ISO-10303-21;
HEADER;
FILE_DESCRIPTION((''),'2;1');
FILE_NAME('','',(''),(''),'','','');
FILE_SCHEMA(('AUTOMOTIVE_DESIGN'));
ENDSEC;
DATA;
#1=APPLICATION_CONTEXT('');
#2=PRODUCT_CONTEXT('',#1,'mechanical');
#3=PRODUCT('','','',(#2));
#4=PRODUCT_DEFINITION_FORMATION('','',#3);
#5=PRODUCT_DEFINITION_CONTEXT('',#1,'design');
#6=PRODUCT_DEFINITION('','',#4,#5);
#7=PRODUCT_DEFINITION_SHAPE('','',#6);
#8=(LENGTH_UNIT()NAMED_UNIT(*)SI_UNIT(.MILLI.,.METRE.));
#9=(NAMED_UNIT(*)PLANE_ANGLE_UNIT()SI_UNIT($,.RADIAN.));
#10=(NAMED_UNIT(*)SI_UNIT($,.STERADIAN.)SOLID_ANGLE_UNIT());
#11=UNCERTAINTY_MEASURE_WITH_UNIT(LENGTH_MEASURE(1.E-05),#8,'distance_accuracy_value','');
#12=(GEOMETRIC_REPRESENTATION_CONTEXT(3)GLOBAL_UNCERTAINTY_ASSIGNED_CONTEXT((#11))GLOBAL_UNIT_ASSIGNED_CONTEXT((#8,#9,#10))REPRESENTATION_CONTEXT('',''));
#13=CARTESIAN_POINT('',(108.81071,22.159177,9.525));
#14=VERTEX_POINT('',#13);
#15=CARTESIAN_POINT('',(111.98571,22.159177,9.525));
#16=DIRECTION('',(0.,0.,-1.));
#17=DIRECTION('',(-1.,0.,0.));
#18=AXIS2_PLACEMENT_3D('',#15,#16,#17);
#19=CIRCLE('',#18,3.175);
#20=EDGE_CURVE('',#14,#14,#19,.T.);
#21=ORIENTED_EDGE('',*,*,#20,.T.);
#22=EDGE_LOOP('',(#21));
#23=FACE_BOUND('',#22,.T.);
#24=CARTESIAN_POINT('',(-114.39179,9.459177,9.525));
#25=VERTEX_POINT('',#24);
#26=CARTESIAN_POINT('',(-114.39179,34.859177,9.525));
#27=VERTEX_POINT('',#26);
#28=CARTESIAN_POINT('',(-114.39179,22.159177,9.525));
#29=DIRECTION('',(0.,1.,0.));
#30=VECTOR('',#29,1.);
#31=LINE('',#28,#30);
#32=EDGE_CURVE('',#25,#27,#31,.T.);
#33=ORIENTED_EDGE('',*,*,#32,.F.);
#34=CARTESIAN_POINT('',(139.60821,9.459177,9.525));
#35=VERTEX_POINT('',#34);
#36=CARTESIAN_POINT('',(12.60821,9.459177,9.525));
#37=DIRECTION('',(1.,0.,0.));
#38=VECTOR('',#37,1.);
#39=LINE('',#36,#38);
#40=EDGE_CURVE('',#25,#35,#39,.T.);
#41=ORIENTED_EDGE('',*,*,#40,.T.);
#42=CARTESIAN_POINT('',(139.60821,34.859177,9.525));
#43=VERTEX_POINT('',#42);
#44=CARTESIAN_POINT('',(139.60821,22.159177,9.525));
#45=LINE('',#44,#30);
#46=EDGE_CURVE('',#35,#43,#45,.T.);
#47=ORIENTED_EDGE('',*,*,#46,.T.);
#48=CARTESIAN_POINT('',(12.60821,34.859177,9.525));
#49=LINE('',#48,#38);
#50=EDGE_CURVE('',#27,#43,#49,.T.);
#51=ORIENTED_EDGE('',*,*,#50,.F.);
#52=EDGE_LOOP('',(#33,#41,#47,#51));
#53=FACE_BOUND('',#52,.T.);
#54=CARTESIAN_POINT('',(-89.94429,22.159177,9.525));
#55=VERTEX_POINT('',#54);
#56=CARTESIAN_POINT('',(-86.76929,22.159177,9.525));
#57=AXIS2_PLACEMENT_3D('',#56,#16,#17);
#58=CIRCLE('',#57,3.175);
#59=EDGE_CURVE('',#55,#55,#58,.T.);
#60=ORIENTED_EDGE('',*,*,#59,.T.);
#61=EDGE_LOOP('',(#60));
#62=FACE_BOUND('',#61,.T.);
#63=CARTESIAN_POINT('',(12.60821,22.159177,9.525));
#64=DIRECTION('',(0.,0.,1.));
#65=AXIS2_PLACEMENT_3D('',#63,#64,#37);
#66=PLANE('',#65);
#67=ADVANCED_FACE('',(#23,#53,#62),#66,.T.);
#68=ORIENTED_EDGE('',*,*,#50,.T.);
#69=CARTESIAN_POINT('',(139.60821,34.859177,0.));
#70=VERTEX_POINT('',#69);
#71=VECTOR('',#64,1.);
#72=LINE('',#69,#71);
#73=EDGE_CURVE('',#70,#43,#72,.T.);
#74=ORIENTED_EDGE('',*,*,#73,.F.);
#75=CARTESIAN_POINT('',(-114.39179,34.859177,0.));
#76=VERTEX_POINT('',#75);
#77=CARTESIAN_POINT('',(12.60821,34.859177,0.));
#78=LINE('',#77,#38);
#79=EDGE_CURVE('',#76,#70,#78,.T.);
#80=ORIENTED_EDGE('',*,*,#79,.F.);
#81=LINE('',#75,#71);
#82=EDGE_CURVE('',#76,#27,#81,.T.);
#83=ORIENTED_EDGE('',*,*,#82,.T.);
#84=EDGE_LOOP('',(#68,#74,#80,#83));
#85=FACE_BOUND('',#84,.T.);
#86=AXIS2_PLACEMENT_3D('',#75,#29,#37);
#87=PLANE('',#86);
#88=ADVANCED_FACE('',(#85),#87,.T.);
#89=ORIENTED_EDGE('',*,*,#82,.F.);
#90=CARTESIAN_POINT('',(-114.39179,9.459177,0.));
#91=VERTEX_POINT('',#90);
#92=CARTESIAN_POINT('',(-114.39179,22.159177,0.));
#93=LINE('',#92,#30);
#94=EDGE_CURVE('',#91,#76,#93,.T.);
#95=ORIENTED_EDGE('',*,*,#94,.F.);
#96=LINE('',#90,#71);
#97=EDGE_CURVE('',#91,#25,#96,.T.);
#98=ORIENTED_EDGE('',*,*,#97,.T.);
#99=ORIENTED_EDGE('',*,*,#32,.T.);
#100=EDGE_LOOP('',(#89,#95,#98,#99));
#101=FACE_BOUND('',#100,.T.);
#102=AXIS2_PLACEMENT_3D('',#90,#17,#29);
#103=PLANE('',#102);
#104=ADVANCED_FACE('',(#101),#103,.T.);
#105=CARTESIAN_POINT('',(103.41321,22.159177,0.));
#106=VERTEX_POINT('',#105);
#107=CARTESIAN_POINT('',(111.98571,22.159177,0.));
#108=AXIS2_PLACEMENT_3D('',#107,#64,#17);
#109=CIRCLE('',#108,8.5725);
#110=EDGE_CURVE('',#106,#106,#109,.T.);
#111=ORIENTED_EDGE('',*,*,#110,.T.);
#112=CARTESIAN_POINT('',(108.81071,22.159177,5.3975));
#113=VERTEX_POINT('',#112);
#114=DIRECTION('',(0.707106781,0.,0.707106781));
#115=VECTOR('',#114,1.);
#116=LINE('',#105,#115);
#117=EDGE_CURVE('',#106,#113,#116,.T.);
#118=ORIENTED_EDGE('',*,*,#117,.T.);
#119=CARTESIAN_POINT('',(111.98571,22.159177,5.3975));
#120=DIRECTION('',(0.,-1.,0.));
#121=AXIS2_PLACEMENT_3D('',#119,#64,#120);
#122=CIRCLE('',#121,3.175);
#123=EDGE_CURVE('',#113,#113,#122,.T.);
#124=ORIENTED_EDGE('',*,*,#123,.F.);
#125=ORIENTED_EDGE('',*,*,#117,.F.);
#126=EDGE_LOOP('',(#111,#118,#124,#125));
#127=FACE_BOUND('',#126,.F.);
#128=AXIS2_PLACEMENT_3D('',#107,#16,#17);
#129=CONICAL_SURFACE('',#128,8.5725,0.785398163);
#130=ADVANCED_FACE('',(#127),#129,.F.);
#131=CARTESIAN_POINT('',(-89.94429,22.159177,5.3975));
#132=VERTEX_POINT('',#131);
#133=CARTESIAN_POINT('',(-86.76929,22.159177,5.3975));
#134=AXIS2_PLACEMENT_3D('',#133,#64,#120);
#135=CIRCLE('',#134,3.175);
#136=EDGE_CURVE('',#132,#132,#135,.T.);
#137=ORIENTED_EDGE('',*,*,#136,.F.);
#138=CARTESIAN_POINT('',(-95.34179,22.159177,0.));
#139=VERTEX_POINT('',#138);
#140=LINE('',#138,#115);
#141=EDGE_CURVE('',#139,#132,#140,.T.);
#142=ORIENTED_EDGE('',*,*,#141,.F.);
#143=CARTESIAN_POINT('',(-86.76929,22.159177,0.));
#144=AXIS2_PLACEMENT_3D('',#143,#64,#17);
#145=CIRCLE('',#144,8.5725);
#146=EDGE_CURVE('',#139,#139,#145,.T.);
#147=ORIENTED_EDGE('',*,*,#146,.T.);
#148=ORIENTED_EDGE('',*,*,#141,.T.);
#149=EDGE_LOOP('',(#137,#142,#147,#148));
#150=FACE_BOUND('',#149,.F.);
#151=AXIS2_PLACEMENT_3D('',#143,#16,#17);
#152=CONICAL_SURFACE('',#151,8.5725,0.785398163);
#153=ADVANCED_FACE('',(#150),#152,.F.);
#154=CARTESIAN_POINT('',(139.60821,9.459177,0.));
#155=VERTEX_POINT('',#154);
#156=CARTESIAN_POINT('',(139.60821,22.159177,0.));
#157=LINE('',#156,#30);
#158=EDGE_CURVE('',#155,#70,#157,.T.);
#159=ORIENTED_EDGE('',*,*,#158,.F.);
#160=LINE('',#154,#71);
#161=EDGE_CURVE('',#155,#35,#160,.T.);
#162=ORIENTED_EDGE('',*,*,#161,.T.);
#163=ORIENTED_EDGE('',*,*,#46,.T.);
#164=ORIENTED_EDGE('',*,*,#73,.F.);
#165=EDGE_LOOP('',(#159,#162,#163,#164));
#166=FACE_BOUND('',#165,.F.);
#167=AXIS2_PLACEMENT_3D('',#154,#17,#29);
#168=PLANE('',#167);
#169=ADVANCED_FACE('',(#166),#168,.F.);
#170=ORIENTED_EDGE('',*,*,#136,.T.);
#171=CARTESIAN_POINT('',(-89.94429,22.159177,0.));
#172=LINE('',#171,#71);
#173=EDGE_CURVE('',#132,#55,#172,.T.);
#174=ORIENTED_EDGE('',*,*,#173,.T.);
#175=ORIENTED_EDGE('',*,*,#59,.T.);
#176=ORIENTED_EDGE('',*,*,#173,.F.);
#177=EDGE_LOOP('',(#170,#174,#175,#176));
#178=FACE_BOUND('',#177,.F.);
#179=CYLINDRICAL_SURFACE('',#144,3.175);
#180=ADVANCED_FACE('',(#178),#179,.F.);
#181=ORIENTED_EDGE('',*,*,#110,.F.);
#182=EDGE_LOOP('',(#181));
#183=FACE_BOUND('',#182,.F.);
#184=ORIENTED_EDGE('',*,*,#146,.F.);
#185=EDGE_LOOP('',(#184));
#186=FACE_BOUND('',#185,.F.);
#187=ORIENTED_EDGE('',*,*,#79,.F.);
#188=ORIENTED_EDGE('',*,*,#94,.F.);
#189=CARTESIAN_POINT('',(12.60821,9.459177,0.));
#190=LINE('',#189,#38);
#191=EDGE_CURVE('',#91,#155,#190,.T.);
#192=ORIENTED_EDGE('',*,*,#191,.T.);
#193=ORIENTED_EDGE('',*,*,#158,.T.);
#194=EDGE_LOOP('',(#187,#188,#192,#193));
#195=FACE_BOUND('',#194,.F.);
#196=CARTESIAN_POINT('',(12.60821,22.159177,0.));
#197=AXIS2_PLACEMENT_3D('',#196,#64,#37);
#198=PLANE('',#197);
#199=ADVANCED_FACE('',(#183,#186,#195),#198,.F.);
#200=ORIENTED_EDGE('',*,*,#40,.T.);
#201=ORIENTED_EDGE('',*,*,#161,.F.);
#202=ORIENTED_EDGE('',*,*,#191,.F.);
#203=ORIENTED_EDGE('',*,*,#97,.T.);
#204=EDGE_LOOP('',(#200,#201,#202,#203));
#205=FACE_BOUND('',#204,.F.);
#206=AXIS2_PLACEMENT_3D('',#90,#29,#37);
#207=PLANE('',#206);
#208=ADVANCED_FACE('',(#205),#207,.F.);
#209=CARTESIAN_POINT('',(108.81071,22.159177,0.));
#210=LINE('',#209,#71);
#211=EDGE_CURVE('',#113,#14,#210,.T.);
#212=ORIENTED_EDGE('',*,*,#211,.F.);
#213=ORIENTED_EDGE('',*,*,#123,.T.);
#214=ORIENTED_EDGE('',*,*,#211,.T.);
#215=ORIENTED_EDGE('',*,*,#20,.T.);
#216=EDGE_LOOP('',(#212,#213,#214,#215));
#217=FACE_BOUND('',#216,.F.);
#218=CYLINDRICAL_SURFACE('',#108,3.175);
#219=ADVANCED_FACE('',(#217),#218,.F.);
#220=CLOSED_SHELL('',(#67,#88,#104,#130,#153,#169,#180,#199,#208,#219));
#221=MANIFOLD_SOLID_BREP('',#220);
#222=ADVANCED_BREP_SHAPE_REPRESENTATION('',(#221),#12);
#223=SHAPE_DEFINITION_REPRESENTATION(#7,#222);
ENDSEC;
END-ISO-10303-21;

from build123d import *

# Parameters (mm, degrees)
F0_W           = 254
F0_H           = 25.4
F1_DEPTH       = 9.525
F2_D           = 6.35
F2_DEPTH       = 9.525
F2_CSINK_D     = 17.145
F2_CSINK_ANGLE = 90
F2_TIP         = 1.9077324654


with BuildPart() as f1:
    # F0 (on Top) → F1 (new body)
    with BuildSketch(Plane.XY):
        with Locations((12.6082096249, 22.1591767431)):
            Rectangle(F0_W, F0_H)
    extrude(amount=F1_DEPTH)

    # F2
    with Locations(Plane(origin=(0, 0, 0), x_dir=(1, 0, 0), z_dir=(0, 0, -1))):
        with Locations((-86.7692903751, -22.1591767431), (111.9857096249, -22.1591767431)):
            CounterSinkHole(F2_D / 2, F2_CSINK_D / 2, depth=F2_DEPTH, counter_sink_angle=F2_CSINK_ANGLE)
            with Locations((0, 0, -(F2_DEPTH + F2_TIP / 2))):  # 118° drill point
                Cone(0, F2_D / 2, F2_TIP, mode=Mode.SUBTRACT)


solid = f1.part
